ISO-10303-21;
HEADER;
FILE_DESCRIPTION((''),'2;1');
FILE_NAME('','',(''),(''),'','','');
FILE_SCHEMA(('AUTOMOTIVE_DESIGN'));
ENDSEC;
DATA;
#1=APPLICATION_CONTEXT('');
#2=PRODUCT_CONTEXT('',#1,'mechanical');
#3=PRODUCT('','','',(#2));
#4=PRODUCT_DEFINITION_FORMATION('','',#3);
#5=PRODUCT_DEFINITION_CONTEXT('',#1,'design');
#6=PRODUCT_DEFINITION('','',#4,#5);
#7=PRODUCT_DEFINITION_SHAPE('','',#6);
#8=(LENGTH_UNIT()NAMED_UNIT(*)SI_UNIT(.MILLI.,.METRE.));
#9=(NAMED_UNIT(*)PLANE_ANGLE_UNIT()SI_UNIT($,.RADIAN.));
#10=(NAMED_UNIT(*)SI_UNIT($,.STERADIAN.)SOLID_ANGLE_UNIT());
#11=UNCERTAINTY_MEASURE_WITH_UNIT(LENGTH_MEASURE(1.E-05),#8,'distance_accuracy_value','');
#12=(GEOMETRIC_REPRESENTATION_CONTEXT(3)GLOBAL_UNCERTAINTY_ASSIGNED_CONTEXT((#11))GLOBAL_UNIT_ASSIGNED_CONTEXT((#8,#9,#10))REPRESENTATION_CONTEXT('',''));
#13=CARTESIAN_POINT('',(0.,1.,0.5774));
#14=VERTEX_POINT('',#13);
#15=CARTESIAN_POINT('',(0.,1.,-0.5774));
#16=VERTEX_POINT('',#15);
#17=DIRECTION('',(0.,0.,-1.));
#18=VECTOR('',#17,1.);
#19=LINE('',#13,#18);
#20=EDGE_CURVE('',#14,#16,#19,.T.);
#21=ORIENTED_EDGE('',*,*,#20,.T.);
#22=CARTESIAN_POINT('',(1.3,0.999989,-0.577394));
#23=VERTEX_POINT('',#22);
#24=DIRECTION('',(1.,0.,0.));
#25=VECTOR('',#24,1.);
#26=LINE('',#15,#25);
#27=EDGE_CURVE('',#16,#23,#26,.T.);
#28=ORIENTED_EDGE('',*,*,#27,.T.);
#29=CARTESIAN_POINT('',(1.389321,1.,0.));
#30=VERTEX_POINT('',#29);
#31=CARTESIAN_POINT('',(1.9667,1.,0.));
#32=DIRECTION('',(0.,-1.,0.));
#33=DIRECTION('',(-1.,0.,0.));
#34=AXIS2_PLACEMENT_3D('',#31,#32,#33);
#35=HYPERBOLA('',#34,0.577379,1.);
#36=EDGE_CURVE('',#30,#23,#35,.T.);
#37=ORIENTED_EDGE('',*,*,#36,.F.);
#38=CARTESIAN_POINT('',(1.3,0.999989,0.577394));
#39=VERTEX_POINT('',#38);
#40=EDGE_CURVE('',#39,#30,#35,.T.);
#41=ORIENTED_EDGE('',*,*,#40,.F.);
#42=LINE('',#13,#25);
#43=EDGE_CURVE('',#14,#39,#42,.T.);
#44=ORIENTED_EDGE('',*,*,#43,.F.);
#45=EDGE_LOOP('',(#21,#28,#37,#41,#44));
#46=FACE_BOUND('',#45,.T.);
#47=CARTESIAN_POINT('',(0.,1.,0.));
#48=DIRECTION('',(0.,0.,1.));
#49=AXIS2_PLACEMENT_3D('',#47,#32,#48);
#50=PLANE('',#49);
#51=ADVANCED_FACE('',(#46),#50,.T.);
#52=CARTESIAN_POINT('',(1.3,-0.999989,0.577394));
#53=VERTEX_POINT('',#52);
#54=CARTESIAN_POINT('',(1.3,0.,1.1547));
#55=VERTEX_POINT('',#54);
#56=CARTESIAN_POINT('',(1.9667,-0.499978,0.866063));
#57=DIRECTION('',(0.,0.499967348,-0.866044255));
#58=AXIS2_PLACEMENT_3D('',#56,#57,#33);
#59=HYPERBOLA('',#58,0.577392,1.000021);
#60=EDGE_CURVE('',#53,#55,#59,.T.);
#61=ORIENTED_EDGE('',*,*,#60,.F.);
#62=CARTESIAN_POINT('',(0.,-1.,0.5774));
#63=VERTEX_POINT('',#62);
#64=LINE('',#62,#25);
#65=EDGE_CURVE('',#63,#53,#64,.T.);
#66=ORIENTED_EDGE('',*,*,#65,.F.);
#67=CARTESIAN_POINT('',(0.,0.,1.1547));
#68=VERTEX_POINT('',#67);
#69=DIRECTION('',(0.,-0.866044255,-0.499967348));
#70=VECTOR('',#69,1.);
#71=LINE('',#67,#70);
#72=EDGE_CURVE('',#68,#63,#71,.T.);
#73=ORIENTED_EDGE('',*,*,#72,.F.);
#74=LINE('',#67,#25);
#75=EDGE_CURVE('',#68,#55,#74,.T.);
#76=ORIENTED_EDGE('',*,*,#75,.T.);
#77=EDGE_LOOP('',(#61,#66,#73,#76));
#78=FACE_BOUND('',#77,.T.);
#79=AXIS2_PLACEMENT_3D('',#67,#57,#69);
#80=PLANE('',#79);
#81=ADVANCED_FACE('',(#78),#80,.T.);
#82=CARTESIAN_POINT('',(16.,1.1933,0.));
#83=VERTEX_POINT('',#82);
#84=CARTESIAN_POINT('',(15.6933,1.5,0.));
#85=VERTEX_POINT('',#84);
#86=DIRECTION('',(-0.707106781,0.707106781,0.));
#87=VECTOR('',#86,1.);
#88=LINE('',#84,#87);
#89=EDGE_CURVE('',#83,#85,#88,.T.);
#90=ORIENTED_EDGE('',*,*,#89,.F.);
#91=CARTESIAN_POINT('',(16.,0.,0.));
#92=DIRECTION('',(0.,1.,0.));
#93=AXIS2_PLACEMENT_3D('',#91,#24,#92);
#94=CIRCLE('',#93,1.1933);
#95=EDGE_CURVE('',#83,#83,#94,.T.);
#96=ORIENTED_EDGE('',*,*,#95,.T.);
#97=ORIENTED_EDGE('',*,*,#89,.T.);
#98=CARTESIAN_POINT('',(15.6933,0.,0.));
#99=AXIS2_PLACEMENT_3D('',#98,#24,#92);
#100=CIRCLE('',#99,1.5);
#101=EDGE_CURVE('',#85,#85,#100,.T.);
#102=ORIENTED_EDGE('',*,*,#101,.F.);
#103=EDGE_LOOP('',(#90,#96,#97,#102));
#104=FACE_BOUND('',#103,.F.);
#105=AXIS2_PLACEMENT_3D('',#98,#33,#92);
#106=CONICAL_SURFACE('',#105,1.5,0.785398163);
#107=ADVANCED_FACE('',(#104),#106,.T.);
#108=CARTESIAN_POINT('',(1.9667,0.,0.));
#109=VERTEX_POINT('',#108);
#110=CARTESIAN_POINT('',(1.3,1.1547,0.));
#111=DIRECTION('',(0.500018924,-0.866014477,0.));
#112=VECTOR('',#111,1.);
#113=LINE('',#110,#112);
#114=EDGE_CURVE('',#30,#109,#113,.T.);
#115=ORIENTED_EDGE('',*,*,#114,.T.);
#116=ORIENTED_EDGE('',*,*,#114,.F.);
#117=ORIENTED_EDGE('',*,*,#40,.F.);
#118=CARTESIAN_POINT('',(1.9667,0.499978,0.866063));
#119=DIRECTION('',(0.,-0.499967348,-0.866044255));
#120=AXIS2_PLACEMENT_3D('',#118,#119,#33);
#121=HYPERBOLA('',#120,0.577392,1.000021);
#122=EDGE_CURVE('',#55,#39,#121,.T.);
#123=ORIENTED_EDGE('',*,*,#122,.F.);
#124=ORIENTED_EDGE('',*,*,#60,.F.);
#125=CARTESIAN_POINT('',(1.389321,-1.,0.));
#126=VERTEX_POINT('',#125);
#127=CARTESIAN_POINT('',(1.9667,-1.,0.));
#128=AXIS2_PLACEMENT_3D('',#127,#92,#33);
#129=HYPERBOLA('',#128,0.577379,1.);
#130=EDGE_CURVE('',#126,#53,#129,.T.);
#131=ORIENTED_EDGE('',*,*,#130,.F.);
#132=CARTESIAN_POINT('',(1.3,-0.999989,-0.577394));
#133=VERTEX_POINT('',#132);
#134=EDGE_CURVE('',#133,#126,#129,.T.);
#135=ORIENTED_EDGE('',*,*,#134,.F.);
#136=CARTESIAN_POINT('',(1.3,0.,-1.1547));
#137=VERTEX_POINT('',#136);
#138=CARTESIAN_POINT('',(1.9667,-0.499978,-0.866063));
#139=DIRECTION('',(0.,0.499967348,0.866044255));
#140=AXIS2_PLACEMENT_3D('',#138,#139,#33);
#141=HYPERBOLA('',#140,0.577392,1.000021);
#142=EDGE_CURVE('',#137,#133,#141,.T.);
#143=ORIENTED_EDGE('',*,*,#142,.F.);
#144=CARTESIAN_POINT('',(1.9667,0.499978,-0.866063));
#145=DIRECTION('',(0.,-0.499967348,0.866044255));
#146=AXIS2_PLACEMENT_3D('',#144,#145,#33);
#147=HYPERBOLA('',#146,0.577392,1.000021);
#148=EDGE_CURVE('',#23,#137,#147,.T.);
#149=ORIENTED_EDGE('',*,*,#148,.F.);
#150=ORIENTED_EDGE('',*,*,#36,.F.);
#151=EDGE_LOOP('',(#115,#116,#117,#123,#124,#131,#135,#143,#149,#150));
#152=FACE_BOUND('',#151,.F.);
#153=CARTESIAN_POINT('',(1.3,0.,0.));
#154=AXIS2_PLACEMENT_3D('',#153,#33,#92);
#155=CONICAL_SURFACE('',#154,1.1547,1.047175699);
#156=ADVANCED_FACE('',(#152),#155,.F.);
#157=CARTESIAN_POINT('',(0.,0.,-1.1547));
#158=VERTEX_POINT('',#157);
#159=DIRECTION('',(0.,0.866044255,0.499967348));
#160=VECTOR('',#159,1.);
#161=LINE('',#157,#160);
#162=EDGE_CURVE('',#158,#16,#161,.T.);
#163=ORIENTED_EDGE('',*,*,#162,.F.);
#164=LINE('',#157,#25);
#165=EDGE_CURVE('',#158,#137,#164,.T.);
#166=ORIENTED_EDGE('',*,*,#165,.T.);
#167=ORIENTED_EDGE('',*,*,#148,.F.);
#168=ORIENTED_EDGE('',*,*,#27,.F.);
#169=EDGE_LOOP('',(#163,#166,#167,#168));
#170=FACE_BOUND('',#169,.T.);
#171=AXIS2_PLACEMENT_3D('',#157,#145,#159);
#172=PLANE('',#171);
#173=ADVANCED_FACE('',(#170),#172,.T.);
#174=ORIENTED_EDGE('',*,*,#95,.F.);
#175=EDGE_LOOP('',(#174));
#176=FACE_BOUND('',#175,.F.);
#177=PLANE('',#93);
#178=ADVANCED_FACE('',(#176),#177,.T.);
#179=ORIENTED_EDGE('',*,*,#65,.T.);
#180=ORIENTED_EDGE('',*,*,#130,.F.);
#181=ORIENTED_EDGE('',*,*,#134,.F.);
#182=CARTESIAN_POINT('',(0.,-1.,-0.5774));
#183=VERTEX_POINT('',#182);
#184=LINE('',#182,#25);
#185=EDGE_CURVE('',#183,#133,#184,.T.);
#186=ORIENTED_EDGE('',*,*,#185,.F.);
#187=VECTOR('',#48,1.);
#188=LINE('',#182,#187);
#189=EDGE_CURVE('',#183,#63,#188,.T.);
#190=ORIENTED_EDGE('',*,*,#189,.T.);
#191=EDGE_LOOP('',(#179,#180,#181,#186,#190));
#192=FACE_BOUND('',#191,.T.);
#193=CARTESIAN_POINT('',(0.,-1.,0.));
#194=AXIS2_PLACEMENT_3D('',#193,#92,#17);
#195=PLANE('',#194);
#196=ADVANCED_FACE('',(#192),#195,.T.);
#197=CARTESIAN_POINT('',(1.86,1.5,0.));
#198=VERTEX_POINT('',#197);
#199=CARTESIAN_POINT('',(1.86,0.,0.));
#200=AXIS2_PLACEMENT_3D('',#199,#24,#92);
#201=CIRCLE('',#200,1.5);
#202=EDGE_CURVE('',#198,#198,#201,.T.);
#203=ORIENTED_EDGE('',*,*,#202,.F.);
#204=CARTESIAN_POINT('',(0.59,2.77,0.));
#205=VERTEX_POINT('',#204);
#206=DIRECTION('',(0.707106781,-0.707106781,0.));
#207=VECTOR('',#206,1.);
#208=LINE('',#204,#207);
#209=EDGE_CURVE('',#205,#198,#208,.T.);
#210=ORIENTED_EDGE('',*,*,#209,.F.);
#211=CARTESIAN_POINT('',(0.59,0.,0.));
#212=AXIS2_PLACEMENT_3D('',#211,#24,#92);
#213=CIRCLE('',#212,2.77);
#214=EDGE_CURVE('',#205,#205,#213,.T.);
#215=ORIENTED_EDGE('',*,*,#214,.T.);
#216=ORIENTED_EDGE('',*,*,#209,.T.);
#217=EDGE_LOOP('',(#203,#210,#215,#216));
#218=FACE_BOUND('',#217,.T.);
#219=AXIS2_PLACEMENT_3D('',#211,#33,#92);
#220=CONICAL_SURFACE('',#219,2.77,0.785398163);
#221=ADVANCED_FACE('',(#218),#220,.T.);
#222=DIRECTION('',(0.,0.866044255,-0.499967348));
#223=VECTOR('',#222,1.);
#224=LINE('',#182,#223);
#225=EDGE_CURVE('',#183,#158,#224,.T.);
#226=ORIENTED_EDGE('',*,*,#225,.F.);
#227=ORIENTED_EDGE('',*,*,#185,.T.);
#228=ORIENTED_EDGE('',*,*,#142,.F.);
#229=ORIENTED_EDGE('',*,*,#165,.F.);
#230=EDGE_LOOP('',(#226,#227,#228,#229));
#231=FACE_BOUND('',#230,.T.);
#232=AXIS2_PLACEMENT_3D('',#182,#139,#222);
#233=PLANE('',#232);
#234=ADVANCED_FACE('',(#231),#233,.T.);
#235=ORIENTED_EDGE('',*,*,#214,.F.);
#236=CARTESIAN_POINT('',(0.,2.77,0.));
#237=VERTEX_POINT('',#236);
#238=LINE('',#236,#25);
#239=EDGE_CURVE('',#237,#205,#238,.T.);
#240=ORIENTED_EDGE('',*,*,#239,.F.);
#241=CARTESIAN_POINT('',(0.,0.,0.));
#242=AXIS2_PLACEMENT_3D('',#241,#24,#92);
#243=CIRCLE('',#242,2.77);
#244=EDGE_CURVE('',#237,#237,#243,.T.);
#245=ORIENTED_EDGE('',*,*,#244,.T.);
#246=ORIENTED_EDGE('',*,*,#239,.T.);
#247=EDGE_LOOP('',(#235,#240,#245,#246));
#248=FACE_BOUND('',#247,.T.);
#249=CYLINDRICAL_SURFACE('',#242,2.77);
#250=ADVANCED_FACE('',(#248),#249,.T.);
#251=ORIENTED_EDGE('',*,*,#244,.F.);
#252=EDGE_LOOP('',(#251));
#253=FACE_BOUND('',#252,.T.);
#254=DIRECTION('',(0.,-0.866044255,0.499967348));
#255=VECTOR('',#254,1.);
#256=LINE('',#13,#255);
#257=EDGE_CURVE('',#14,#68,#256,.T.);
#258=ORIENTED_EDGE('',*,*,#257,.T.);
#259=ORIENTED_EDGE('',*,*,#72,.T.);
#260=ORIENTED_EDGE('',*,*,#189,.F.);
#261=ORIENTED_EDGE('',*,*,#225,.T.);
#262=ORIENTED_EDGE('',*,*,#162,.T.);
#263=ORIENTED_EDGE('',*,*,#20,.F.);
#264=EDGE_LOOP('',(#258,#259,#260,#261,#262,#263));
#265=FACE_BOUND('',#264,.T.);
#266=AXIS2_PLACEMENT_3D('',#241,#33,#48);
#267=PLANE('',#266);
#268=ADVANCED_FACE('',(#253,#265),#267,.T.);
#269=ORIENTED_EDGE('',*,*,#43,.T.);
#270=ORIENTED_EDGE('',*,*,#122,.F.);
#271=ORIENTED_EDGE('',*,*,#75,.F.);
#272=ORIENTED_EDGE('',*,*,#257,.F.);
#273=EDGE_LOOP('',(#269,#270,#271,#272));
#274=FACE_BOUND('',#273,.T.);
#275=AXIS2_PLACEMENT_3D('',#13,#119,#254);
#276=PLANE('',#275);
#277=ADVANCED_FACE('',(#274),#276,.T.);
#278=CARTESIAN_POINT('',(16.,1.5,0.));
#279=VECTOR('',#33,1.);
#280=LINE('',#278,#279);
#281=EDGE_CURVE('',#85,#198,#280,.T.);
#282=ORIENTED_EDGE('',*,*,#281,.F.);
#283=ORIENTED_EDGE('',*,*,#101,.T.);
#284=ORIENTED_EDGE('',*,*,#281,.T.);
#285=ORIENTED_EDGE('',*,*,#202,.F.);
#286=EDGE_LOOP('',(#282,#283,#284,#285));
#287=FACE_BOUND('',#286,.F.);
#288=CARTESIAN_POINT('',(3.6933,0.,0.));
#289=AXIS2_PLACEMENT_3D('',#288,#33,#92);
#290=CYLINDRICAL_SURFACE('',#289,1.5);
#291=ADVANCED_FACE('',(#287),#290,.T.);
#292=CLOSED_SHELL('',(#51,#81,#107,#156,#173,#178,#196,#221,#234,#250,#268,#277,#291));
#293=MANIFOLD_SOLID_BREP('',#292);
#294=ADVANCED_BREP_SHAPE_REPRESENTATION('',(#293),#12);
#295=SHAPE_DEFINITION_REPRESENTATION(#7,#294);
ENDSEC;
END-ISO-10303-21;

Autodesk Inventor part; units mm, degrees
ref_plane "YZ Plane" through (0, 0, 0) normal (1, 0, 0) x (0, 1, 0)
ref_plane "XZ Plane" through (0, 0, 0) normal (0, 1, 0) x (-1, 0, 0)
sketch "Sketch1" plane through (0, 0, 0) normal (0, 0, 1) x (1, 0, 0)
  line L0 (16, 0) -> (16, 1.5)
  line L1 (16, 1.5) -> (4, 1.5)
  line L2 (4, 1.5) -> (3.6933, 1.5)
  line L3 (0, 2.77) -> (0, 1.1547)
  line L4 (0, 1.1547) -> (1.3, 1.1547)
  line L5 (1.3, 1.1547) -> (1.9667, 0)
  line L6 (1.9667, 0) -> (16, 0)
  line L7 (0, 2.77) -> (0.59, 2.77)
  line L8 (0.59, 2.77) -> (1.86, 1.5)
  line L9 (3.6933, 1.5) -> (1.86, 1.5)
  line L10 (4, 1.5) -> (1.86, 1.5) construction
  line L11 (1.86, 1.5) -> (1.86, 1.5)
  line L12 (-3.2, 0) -> (19.2, 0) projected
  line L13 (0, -0.554) -> (0, 3.324) projected
  dimension "d0" = 16
  dimension "d1" = 12
  dimension "d2" = 1.3
  dimension "d3" = 3
  dimension "d6" = 1.86
  dimension "d7" = 45
  dimension "d8" = 2.3094
  dimension "d9" = 60
  dimension "d10" = 5.54
  dimension "d11" = 3
  dimension "d12" = 0.3067
revolve "Body" add sketch "Sketch1" angle 360 about axis through (1.9667, 0, 0) along (1, 0, 0) contours L6 L5 L4 L3 L7 L8 L9 L2 L1 L0
sketch "Sketch2" plane through (0, 0, 0) normal (-1, 0, 0) x (0, 0, 1)
  circle A0 centre (0, 0) radius 1.1547 projected
  line L0 (0, -3.878) -> (0, 3.878) projected
  line L1 (-3.878, 0) -> (3.878, 0) projected
  line L2 (1.1547, 0) -> (0.5774, -1)
  line L3 (0.5774, -1) -> (-0.5774, -1)
  line L4 (-0.5774, -1) -> (-1.1547, 0)
  line L5 (-1.1547, 0) -> (-0.5774, 1)
  line L6 (-0.5774, 1) -> (0.5774, 1)
  line L7 (0.5774, 1) -> (1.1547, 0)
  point P0 (0, 1.1547)
extrude "Slot" add sketch "Sketch2" against normal up to next contours L7 A0 | A0 L2 | L6 L0 A0 | A0 L0 L3 | L0 L6 A0 | A0 L3 L0 | L4 A0 | A0 L5
thread "Thread" size "M3x0.5" class "6g" standard "ISO Metric profile" length 12
chamfer "Chamfer1" distance 0.3067 distance2 0.3067 1 edges at (16, -1.5, 0) measured on face at (16, -0.3743, -0.3316)
ref_plane "Work Plane1" through (104.775, 0, 0) normal (0, 0, -1) x (1, 0, 0)
equation "\"d0\" = NLG"
equation "\"d1\" = GEL"
equation "\"d2\" = INTI"
equation "\"d3\" = GD"
equation "\"d6\" = KOH"
equation "\"d7\" = 0.5 * SEWI"
equation "\"d8\" = 1.1547 * SW"
equation "\"d10\" = KOD"
equation "\"d11\" = BDM"
equation "\"d12\" = GAL"
equation "\"d15\" = GEL"
equation "\"d17\" = -0.5 * SPD + 0.5 * GD"
equation "\"d18\" = GUL"
equation "\"NLG\" = 16"
equation "\"INTI\" = 1.3"
equation "\"GEL\" = 12"
equation "\"GAL\" = 0.61345 * PTC"
equation "\"KOH\" = 1.86"
equation "\"KOD\" = 5.54"
equation "\"GUL\" = 0.61345 * PTC"
equation "\"SPD\" = NND - 1.2269 * PTC"
equation "\"BDM\" = NND"
equation "\"GD\" = NND"
equation "\"SEWI\" = 90deg"
equation "\"SW\" = 2"
equation "\"TOA\" = 30deg"
equation "\"GD1\" = THREADDIA - 1.2269 * PTC"
equation "\"EPV\" = 3.36"
equation "\"THREADDIA\" = 3"
equation "\"PTC\" = 0.5"
equation "\"NND\" = 3"
equation "\"E0\" = 2.31"
equation "\"THREADDESC\" = 1.2345"
properties part number "M3 x  16 - Socket Csk Screw (A2)" material "Stainless Steel"
